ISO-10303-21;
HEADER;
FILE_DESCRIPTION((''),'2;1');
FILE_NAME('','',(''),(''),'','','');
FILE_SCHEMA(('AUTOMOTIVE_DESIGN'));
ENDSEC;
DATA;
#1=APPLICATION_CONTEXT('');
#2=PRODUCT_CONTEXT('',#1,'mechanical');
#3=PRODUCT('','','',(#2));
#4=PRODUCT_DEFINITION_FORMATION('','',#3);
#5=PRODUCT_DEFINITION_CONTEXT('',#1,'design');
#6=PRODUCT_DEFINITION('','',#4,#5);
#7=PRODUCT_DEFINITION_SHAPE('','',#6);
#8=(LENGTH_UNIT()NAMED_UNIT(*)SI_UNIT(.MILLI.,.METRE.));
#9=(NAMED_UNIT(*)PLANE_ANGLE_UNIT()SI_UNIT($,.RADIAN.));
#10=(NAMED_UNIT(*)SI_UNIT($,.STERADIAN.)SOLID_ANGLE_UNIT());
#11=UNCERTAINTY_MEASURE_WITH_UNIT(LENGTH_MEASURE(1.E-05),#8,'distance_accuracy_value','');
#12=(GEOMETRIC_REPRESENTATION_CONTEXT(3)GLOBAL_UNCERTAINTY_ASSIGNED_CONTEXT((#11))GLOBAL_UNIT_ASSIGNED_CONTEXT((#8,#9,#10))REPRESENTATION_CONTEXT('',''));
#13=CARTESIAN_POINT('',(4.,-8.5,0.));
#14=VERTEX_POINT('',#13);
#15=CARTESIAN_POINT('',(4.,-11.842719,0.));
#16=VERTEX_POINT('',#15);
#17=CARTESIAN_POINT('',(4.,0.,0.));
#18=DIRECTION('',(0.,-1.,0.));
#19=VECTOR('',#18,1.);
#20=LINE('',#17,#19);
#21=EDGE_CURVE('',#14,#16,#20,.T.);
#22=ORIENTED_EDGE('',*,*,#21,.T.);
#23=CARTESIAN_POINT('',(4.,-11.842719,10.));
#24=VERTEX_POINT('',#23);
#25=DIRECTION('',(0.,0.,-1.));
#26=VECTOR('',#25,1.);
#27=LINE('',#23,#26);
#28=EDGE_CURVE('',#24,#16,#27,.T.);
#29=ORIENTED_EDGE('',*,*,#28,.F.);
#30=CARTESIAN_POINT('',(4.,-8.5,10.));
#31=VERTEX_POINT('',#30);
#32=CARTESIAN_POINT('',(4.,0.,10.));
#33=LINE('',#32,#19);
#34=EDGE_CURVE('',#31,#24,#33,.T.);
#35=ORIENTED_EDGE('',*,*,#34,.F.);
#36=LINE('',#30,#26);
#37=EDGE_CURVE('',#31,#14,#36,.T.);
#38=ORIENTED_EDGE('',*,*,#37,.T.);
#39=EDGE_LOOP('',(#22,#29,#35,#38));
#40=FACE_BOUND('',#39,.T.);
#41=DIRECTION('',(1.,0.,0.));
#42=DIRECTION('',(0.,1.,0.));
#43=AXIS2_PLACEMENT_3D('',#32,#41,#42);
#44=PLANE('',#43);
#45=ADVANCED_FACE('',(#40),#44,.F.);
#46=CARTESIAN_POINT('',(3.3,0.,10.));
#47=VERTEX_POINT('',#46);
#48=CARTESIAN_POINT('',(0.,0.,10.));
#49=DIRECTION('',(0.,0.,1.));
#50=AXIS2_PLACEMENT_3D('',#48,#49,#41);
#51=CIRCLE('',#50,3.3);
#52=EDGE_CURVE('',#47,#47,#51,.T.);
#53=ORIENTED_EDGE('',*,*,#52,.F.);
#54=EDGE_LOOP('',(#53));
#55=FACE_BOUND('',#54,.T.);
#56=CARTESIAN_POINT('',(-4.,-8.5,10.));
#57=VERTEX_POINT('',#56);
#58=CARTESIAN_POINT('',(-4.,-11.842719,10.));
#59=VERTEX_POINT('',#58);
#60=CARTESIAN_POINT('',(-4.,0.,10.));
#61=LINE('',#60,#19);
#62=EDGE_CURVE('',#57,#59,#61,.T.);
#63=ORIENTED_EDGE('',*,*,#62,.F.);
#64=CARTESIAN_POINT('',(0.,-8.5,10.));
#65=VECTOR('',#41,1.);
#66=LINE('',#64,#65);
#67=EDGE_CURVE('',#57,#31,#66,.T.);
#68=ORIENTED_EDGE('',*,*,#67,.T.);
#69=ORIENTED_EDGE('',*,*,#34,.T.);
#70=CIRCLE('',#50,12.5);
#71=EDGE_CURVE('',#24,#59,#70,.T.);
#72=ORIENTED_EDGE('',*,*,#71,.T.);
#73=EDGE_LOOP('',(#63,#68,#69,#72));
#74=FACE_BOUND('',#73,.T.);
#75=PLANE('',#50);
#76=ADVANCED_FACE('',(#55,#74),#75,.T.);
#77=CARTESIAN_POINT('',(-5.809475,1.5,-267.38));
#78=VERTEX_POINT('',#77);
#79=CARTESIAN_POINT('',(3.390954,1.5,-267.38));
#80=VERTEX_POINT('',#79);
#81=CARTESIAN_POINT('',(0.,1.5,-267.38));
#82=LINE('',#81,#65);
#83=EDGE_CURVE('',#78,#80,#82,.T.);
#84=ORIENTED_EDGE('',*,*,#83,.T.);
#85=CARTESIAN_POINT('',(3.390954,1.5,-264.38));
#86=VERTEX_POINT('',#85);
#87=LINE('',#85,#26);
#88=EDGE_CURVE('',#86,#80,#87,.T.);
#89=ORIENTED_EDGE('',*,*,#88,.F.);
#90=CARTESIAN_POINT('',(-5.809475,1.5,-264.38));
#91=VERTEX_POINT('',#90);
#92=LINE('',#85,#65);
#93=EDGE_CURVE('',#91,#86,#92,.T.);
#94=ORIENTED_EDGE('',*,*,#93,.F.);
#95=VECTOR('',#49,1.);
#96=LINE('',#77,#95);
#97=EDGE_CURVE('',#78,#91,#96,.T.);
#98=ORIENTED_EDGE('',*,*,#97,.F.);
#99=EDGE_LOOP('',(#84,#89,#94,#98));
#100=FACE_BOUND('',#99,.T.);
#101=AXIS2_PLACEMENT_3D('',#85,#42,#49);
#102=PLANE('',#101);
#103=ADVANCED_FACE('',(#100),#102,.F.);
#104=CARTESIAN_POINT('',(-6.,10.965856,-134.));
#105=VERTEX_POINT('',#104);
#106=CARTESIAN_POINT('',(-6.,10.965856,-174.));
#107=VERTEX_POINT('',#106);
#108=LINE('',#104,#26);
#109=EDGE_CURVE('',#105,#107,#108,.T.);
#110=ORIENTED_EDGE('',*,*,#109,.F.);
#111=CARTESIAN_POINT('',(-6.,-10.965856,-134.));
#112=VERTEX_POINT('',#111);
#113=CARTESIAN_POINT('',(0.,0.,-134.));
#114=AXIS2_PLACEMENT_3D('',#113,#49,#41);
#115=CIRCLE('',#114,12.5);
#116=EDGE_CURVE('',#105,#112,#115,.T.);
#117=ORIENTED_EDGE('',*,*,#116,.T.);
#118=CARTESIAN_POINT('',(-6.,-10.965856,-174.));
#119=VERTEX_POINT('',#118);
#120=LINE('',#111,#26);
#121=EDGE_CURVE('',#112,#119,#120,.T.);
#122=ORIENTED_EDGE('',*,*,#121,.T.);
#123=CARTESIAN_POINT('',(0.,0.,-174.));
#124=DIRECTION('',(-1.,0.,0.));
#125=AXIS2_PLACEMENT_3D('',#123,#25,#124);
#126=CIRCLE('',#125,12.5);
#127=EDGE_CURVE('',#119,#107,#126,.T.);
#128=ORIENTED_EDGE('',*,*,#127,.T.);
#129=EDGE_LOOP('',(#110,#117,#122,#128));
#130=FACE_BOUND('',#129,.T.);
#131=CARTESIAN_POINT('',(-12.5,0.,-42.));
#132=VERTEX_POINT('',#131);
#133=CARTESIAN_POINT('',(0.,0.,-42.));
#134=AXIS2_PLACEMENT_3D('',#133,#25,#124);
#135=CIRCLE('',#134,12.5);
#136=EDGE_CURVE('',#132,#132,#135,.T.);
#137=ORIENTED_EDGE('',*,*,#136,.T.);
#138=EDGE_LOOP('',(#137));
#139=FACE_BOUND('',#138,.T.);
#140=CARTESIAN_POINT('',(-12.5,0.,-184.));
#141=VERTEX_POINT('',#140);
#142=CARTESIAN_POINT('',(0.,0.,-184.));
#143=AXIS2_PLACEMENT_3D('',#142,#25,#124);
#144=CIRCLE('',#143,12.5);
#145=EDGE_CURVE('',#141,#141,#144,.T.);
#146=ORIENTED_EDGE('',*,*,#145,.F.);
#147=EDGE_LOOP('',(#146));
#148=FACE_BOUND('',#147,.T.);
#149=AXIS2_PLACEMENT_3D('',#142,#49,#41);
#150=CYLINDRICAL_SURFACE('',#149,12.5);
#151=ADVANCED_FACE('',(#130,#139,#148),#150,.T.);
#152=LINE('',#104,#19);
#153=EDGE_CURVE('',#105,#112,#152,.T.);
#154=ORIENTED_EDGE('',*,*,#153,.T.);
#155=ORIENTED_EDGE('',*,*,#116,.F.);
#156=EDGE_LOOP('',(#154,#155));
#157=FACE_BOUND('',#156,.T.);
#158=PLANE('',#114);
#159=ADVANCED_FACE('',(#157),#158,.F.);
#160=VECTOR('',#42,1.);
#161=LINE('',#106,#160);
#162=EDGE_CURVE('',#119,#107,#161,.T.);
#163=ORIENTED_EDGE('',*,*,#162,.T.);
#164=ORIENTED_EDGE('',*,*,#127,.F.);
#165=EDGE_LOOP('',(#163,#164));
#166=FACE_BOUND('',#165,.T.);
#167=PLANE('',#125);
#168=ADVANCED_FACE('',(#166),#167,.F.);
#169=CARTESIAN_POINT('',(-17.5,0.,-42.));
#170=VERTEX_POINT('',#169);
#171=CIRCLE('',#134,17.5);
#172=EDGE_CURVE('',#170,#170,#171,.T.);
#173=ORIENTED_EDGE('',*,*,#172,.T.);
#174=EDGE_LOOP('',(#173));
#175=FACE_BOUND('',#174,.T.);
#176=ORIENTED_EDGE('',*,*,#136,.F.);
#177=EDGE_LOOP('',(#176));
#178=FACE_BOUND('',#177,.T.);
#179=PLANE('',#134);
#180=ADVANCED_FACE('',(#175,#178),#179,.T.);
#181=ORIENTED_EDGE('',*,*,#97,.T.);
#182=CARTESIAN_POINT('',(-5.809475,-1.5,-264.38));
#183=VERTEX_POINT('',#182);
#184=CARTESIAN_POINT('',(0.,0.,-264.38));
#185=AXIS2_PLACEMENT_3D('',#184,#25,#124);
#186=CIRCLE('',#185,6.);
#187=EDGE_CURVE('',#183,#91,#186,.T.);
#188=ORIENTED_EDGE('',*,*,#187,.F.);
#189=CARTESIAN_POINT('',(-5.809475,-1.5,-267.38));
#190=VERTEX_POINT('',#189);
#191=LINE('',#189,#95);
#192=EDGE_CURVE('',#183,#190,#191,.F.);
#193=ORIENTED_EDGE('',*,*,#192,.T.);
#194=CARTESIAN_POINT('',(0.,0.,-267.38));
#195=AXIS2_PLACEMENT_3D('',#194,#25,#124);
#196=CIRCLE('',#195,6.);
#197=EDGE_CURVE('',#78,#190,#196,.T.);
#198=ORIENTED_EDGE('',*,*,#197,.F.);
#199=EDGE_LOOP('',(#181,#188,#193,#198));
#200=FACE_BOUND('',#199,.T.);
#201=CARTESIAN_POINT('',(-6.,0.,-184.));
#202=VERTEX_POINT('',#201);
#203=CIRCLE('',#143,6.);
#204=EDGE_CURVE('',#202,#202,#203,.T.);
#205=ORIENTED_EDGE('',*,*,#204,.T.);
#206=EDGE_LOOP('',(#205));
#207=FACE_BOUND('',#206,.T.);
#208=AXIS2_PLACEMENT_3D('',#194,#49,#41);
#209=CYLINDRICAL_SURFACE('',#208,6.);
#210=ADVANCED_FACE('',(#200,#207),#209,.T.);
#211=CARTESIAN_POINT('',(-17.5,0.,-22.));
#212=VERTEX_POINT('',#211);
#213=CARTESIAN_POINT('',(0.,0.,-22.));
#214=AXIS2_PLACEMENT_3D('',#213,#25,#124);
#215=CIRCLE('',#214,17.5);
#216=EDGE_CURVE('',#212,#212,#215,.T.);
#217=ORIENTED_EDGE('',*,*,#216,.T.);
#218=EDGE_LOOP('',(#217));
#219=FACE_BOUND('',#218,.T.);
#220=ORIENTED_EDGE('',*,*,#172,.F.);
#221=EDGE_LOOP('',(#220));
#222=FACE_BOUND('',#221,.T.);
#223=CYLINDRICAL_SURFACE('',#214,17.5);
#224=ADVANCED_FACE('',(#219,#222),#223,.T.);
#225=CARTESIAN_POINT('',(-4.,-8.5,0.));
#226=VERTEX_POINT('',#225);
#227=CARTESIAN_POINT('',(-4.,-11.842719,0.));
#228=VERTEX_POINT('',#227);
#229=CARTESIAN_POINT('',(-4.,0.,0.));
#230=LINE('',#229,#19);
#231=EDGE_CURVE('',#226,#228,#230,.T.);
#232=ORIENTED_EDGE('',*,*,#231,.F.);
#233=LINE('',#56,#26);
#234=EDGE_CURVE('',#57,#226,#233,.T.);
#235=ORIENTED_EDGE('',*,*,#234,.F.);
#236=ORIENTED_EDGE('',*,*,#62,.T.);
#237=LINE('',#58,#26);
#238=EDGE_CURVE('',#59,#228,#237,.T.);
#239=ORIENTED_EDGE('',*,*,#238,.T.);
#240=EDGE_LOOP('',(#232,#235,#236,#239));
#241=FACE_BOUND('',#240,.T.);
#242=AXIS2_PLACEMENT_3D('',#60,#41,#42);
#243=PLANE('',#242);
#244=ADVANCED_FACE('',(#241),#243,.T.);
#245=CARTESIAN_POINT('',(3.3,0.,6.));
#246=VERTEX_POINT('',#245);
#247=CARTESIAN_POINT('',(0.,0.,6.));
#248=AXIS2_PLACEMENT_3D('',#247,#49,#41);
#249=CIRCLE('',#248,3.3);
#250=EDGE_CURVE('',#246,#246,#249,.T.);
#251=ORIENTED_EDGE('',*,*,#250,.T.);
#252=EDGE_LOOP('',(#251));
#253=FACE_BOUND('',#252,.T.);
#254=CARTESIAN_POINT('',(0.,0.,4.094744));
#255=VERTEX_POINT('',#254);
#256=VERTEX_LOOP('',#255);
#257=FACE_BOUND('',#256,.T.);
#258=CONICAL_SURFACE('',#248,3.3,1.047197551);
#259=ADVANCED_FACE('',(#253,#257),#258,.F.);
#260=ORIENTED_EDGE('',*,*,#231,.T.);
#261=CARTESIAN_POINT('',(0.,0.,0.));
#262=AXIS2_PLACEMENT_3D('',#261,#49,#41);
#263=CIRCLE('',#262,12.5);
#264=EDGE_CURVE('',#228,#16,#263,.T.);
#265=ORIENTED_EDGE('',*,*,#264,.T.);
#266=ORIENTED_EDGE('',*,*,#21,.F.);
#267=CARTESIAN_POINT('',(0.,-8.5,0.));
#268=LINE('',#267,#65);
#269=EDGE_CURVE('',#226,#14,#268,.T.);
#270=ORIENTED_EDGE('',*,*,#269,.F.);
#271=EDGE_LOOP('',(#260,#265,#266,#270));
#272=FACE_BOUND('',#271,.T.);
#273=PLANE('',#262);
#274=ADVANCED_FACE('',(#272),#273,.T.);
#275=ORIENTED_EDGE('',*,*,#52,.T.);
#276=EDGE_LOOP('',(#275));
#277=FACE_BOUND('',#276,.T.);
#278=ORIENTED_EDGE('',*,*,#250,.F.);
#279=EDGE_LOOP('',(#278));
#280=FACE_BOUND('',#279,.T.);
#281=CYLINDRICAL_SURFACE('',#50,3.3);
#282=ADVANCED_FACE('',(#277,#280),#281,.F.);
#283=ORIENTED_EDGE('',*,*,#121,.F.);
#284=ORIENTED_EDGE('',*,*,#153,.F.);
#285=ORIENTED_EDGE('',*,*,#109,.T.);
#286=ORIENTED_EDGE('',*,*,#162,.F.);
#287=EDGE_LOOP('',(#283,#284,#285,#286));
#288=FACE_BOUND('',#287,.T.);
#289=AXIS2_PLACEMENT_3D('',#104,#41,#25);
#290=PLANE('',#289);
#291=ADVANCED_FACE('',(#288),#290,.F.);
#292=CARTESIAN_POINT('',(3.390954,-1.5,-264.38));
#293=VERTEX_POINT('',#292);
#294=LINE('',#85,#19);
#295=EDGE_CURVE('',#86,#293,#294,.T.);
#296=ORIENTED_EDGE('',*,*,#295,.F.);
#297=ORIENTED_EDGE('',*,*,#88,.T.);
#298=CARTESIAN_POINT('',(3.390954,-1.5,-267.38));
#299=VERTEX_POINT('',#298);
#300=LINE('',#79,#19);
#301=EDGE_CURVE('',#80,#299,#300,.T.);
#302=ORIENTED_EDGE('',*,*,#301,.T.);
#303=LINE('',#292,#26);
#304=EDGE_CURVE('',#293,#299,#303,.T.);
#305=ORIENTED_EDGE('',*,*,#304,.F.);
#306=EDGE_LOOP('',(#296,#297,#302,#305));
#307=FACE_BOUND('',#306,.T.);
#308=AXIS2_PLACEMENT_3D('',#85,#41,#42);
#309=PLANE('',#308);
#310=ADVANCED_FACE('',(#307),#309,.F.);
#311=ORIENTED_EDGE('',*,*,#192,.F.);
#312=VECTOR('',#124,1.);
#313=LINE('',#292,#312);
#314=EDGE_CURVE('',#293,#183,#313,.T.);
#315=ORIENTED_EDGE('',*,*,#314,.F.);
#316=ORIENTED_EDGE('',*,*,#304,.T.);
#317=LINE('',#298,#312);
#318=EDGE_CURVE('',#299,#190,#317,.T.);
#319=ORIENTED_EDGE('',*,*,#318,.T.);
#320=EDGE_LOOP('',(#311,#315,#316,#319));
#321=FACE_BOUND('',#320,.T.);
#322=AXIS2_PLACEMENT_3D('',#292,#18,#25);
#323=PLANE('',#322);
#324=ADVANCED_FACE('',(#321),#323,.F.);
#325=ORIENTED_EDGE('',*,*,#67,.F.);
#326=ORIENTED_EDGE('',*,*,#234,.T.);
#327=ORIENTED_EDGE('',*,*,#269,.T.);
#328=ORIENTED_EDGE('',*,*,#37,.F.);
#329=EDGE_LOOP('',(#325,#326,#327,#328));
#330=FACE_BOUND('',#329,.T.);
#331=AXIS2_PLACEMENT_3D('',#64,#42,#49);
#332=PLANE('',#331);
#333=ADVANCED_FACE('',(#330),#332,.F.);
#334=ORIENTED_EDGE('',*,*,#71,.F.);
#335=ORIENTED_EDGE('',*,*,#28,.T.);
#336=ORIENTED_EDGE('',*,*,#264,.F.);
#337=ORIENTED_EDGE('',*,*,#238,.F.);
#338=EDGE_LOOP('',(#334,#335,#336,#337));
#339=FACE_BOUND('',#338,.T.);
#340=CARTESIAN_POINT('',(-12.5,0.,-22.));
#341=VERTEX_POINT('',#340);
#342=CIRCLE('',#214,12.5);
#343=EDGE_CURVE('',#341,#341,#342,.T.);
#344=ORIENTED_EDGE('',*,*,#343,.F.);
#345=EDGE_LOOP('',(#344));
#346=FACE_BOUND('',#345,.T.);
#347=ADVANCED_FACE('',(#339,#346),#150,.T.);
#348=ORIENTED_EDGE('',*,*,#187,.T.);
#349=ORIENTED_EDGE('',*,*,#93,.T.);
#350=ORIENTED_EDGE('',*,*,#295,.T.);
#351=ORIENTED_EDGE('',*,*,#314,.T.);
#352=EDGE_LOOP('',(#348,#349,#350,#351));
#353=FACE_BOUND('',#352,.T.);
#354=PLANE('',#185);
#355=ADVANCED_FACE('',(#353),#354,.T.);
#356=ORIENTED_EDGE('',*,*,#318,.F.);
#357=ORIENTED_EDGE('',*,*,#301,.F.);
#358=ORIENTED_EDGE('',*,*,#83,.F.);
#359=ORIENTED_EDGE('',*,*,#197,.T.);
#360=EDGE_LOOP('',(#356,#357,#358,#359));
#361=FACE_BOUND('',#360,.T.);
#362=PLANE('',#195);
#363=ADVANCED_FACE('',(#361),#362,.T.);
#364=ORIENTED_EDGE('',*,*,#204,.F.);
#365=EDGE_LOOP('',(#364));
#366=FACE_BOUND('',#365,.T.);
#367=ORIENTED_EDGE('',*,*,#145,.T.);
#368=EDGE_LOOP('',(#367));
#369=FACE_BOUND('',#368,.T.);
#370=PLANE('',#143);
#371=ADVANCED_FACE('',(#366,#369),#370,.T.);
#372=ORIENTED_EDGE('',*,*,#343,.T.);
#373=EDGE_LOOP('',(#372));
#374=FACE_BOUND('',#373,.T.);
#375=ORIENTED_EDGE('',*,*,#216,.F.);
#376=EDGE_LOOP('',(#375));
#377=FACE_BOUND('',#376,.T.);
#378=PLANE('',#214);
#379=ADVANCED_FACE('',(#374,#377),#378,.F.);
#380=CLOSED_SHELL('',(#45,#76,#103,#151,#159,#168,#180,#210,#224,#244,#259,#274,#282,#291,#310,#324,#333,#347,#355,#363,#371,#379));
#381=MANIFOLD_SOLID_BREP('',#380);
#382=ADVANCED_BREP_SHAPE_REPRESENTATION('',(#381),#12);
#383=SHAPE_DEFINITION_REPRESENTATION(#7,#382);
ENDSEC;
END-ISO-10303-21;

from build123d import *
from build123d.topology import SkipClean

# Parameters (mm, degrees)
ESQUISSE1_R                                = 30
BOSS_EXTRU_1_DEPTH                         = 15
ESQUISSE2_R                                = 12.5
BOSS_EXTRU_2_DEPTH                         = 184
ESQUISSE4_2_W                              = 230
ESQUISSE4_2_H                              = 40
ENL_V_MAT_EXTRU_1_DEPTH                    = 5
CHAMBRAGE_POUR_VIS_T_TE_HEXAGONALE_2_COUNT = 2
CHAMBRAGE_POUR_VIS_T_TE_HEXAGONALE_2_PITCH = 41
ESQUISSE17_R                               = 6
BOSS_EXTRU_4_DEPTH                         = 83.38
ESQUISSE18_W                               = 10.356322474
ESQUISSE18_H                               = 3
ENL_V_MAT_EXTRU_2_DEPTH                    = 3
ESQUISSE19_W                               = 7.933443835
ESQUISSE19_H                               = 21.9317122
ENL_V_MAT_EXTRU_3_DEPTH                    = 50
BOSS_EXTRU_6_START                         = -10
ESQUISSE21_R                               = 12.5
BOSS_EXTRU_6_DEPTH                         = 10
ESQUISSE26_R                               = 17.5
BOSS_EXTRU_8_DEPTH                         = 112
ENL_V_START                                = -92
ESQUISSE27_R                               = 17.5
ENL_V_MAT_EXTRU_5_DEPTH                    = 92
ENL_V_START_2                              = -15
ESQUISSE28_R                               = 30
ENL_V_MAT_EXTRU_6_DEPTH                    = 15
BOSS_EXTRU_9_START                         = 10
BOSS_EXTRU_9_DEPTH                         = 10
D_GAGEMENT_M61_D                           = 6.6
D_GAGEMENT_M61_DEPTH                       = 4
D_GAGEMENT_M61_TIP                         = 1.905255888


with BuildPart() as part:
    # Esquisse1 → Boss.-Extru.1 (new body)
    with BuildSketch(Plane.XY):
        Circle(ESQUISSE1_R)
    extrude(amount=BOSS_EXTRU_1_DEPTH)

    # Esquisse2 → Boss.-Extru.2 (add)
    with BuildSketch(Plane(origin=(0, 0, 0), x_dir=(-1, 0, 0), z_dir=(0, 0, -1))):
        Circle(ESQUISSE2_R)
    extrude(amount=BOSS_EXTRU_2_DEPTH)

    # Esquisse4<2> → Enlèv. mat.-Extru.1 (cut)
    with BuildSketch(Plane.XY.offset(15)):
        Rectangle(ESQUISSE4_2_W, ESQUISSE4_2_H)
    extrude(amount=-ENL_V_MAT_EXTRU_1_DEPTH, mode=Mode.SUBTRACT)

    # Esquisse14 → Chambrage pour vis à tête hexagonale M51 (revolve, cut)
    with BuildSketch(Plane.YZ.offset(-20.5)):
        Polygon((0, 0), (0, 15), (2.75, 15), (2.75, 3.605), (2.775, 3.58), (6.12, 3.58), (6.12, 0), align=None)
    chambrage_pour_vis_t_te_hexagonale_m51 = revolve(axis=Axis((-20.5, 0, -6.35), (0, 0, 1)), mode=Mode.SUBTRACT)

    # Chambrage pour vis _ t_te hexagonale 2: Chambrage pour vis à tête hexagonale M51 ×2
    with Locations(*[(i * CHAMBRAGE_POUR_VIS_T_TE_HEXAGONALE_2_PITCH, 0, 0) for i in range(1, CHAMBRAGE_POUR_VIS_T_TE_HEXAGONALE_2_COUNT)]):
        add(chambrage_pour_vis_t_te_hexagonale_m51, mode=Mode.SUBTRACT)

    # Esquisse17 → Boss.-Extru.4 (add)
    with BuildSketch(Plane(origin=(0, 0, -184), x_dir=(-1, 0, 0), z_dir=(0, 0, -1))):
        Circle(ESQUISSE17_R)
    extrude(amount=BOSS_EXTRU_4_DEPTH)

    # Esquisse18 → Enlèv. mat.-Extru.2 (cut)
    with BuildSketch(Plane(origin=(0, 0, -267.38), x_dir=(-1, 0, 0), z_dir=(0, 0, -1))):
        with Locations((1.787207702, 0)):
            Rectangle(ESQUISSE18_W, ESQUISSE18_H)
    extrude(amount=-ENL_V_MAT_EXTRU_2_DEPTH, mode=Mode.SUBTRACT)

    # Esquisse19 → Enlèv. mat.-Extru.3 (cut)
    with BuildSketch(Plane(origin=(0, 0, -184), x_dir=(-1, 0, 0), z_dir=(0, 0, -1))):
        with Locations((9.966721917, 0)):
            Rectangle(ESQUISSE19_W, ESQUISSE19_H)
    extrude(amount=-ENL_V_MAT_EXTRU_3_DEPTH, mode=Mode.SUBTRACT)

    # Esquisse21 → Boss.-Extru.6 (add)
    with BuildSketch(Plane(origin=(0, 0, -184), x_dir=(-1, 0, 0), z_dir=(0, 0, -1)).offset(BOSS_EXTRU_6_START)):
        Circle(ESQUISSE21_R)
    extrude(amount=BOSS_EXTRU_6_DEPTH)

    # Esquisse26 → Boss.-Extru.8 (add)
    with BuildSketch(Plane(origin=(0, 0, -134), x_dir=(-1, 0, 0), z_dir=(0, 0, -1))):
        Circle(ESQUISSE26_R)
    extrude(amount=-BOSS_EXTRU_8_DEPTH)

    # Esquisse27 → Enlèv. mat.-Extru.5 (cut)
    with BuildSketch(Plane(origin=(0, 0, -134), x_dir=(-1, 0, 0), z_dir=(0, 0, -1)).offset(ENL_V_START)):
        Circle(ESQUISSE27_R)
        with BuildLine():
            ThreePointArc((6, 10.9658561), (10.752906584, 6.373774392), (12.5, 0))
            ThreePointArc((12.5, 0), (10.752906584, -6.373774392), (6, -10.9658561))
            ThreePointArc((6, -10.9658561), (-12.5, 0), (6, 10.9658561))
        make_face(mode=Mode.SUBTRACT)
    extrude(amount=ENL_V_MAT_EXTRU_5_DEPTH, mode=Mode.SUBTRACT)

    # Esquisse28 → Enlèv. mat.-Extru.6 (cut)
    with BuildSketch(Plane.XY.offset(15).offset(ENL_V_START_2)):
        Circle(ESQUISSE28_R)
    extrude(amount=ENL_V_MAT_EXTRU_6_DEPTH, mode=Mode.SUBTRACT)

    # Esquisse29 → Boss.-Extru.9 (add)
    with SkipClean():  # the faces are left unmerged after this step: merging them gives an invalid solid
        with BuildSketch(Plane.XY.offset(BOSS_EXTRU_9_START)):
            with BuildLine():
                Line((-4, -11.842719282), (-4, -8.5))
                Line((-4, -8.5), (4, -8.5))
                Line((4, -8.5), (4, -11.842719282))
                ThreePointArc((4, -11.842719282), (10.155048006, -7.288689869), (12.5, 0))
                ThreePointArc((12.5, 0), (-7.288689869, 10.155048006), (-4, -11.842719282))
            make_face()
        extrude(amount=-BOSS_EXTRU_9_DEPTH)

    # Dégagement M61
    with Locations(Plane.XY.offset(10)):
        with Locations((0, 0)):
            Hole(D_GAGEMENT_M61_D / 2, depth=D_GAGEMENT_M61_DEPTH)
            with Locations((0, 0, -(D_GAGEMENT_M61_DEPTH + D_GAGEMENT_M61_TIP / 2))):  # 120° drill point
                Cone(0, D_GAGEMENT_M61_D / 2, D_GAGEMENT_M61_TIP, mode=Mode.SUBTRACT)


solid = part.part
